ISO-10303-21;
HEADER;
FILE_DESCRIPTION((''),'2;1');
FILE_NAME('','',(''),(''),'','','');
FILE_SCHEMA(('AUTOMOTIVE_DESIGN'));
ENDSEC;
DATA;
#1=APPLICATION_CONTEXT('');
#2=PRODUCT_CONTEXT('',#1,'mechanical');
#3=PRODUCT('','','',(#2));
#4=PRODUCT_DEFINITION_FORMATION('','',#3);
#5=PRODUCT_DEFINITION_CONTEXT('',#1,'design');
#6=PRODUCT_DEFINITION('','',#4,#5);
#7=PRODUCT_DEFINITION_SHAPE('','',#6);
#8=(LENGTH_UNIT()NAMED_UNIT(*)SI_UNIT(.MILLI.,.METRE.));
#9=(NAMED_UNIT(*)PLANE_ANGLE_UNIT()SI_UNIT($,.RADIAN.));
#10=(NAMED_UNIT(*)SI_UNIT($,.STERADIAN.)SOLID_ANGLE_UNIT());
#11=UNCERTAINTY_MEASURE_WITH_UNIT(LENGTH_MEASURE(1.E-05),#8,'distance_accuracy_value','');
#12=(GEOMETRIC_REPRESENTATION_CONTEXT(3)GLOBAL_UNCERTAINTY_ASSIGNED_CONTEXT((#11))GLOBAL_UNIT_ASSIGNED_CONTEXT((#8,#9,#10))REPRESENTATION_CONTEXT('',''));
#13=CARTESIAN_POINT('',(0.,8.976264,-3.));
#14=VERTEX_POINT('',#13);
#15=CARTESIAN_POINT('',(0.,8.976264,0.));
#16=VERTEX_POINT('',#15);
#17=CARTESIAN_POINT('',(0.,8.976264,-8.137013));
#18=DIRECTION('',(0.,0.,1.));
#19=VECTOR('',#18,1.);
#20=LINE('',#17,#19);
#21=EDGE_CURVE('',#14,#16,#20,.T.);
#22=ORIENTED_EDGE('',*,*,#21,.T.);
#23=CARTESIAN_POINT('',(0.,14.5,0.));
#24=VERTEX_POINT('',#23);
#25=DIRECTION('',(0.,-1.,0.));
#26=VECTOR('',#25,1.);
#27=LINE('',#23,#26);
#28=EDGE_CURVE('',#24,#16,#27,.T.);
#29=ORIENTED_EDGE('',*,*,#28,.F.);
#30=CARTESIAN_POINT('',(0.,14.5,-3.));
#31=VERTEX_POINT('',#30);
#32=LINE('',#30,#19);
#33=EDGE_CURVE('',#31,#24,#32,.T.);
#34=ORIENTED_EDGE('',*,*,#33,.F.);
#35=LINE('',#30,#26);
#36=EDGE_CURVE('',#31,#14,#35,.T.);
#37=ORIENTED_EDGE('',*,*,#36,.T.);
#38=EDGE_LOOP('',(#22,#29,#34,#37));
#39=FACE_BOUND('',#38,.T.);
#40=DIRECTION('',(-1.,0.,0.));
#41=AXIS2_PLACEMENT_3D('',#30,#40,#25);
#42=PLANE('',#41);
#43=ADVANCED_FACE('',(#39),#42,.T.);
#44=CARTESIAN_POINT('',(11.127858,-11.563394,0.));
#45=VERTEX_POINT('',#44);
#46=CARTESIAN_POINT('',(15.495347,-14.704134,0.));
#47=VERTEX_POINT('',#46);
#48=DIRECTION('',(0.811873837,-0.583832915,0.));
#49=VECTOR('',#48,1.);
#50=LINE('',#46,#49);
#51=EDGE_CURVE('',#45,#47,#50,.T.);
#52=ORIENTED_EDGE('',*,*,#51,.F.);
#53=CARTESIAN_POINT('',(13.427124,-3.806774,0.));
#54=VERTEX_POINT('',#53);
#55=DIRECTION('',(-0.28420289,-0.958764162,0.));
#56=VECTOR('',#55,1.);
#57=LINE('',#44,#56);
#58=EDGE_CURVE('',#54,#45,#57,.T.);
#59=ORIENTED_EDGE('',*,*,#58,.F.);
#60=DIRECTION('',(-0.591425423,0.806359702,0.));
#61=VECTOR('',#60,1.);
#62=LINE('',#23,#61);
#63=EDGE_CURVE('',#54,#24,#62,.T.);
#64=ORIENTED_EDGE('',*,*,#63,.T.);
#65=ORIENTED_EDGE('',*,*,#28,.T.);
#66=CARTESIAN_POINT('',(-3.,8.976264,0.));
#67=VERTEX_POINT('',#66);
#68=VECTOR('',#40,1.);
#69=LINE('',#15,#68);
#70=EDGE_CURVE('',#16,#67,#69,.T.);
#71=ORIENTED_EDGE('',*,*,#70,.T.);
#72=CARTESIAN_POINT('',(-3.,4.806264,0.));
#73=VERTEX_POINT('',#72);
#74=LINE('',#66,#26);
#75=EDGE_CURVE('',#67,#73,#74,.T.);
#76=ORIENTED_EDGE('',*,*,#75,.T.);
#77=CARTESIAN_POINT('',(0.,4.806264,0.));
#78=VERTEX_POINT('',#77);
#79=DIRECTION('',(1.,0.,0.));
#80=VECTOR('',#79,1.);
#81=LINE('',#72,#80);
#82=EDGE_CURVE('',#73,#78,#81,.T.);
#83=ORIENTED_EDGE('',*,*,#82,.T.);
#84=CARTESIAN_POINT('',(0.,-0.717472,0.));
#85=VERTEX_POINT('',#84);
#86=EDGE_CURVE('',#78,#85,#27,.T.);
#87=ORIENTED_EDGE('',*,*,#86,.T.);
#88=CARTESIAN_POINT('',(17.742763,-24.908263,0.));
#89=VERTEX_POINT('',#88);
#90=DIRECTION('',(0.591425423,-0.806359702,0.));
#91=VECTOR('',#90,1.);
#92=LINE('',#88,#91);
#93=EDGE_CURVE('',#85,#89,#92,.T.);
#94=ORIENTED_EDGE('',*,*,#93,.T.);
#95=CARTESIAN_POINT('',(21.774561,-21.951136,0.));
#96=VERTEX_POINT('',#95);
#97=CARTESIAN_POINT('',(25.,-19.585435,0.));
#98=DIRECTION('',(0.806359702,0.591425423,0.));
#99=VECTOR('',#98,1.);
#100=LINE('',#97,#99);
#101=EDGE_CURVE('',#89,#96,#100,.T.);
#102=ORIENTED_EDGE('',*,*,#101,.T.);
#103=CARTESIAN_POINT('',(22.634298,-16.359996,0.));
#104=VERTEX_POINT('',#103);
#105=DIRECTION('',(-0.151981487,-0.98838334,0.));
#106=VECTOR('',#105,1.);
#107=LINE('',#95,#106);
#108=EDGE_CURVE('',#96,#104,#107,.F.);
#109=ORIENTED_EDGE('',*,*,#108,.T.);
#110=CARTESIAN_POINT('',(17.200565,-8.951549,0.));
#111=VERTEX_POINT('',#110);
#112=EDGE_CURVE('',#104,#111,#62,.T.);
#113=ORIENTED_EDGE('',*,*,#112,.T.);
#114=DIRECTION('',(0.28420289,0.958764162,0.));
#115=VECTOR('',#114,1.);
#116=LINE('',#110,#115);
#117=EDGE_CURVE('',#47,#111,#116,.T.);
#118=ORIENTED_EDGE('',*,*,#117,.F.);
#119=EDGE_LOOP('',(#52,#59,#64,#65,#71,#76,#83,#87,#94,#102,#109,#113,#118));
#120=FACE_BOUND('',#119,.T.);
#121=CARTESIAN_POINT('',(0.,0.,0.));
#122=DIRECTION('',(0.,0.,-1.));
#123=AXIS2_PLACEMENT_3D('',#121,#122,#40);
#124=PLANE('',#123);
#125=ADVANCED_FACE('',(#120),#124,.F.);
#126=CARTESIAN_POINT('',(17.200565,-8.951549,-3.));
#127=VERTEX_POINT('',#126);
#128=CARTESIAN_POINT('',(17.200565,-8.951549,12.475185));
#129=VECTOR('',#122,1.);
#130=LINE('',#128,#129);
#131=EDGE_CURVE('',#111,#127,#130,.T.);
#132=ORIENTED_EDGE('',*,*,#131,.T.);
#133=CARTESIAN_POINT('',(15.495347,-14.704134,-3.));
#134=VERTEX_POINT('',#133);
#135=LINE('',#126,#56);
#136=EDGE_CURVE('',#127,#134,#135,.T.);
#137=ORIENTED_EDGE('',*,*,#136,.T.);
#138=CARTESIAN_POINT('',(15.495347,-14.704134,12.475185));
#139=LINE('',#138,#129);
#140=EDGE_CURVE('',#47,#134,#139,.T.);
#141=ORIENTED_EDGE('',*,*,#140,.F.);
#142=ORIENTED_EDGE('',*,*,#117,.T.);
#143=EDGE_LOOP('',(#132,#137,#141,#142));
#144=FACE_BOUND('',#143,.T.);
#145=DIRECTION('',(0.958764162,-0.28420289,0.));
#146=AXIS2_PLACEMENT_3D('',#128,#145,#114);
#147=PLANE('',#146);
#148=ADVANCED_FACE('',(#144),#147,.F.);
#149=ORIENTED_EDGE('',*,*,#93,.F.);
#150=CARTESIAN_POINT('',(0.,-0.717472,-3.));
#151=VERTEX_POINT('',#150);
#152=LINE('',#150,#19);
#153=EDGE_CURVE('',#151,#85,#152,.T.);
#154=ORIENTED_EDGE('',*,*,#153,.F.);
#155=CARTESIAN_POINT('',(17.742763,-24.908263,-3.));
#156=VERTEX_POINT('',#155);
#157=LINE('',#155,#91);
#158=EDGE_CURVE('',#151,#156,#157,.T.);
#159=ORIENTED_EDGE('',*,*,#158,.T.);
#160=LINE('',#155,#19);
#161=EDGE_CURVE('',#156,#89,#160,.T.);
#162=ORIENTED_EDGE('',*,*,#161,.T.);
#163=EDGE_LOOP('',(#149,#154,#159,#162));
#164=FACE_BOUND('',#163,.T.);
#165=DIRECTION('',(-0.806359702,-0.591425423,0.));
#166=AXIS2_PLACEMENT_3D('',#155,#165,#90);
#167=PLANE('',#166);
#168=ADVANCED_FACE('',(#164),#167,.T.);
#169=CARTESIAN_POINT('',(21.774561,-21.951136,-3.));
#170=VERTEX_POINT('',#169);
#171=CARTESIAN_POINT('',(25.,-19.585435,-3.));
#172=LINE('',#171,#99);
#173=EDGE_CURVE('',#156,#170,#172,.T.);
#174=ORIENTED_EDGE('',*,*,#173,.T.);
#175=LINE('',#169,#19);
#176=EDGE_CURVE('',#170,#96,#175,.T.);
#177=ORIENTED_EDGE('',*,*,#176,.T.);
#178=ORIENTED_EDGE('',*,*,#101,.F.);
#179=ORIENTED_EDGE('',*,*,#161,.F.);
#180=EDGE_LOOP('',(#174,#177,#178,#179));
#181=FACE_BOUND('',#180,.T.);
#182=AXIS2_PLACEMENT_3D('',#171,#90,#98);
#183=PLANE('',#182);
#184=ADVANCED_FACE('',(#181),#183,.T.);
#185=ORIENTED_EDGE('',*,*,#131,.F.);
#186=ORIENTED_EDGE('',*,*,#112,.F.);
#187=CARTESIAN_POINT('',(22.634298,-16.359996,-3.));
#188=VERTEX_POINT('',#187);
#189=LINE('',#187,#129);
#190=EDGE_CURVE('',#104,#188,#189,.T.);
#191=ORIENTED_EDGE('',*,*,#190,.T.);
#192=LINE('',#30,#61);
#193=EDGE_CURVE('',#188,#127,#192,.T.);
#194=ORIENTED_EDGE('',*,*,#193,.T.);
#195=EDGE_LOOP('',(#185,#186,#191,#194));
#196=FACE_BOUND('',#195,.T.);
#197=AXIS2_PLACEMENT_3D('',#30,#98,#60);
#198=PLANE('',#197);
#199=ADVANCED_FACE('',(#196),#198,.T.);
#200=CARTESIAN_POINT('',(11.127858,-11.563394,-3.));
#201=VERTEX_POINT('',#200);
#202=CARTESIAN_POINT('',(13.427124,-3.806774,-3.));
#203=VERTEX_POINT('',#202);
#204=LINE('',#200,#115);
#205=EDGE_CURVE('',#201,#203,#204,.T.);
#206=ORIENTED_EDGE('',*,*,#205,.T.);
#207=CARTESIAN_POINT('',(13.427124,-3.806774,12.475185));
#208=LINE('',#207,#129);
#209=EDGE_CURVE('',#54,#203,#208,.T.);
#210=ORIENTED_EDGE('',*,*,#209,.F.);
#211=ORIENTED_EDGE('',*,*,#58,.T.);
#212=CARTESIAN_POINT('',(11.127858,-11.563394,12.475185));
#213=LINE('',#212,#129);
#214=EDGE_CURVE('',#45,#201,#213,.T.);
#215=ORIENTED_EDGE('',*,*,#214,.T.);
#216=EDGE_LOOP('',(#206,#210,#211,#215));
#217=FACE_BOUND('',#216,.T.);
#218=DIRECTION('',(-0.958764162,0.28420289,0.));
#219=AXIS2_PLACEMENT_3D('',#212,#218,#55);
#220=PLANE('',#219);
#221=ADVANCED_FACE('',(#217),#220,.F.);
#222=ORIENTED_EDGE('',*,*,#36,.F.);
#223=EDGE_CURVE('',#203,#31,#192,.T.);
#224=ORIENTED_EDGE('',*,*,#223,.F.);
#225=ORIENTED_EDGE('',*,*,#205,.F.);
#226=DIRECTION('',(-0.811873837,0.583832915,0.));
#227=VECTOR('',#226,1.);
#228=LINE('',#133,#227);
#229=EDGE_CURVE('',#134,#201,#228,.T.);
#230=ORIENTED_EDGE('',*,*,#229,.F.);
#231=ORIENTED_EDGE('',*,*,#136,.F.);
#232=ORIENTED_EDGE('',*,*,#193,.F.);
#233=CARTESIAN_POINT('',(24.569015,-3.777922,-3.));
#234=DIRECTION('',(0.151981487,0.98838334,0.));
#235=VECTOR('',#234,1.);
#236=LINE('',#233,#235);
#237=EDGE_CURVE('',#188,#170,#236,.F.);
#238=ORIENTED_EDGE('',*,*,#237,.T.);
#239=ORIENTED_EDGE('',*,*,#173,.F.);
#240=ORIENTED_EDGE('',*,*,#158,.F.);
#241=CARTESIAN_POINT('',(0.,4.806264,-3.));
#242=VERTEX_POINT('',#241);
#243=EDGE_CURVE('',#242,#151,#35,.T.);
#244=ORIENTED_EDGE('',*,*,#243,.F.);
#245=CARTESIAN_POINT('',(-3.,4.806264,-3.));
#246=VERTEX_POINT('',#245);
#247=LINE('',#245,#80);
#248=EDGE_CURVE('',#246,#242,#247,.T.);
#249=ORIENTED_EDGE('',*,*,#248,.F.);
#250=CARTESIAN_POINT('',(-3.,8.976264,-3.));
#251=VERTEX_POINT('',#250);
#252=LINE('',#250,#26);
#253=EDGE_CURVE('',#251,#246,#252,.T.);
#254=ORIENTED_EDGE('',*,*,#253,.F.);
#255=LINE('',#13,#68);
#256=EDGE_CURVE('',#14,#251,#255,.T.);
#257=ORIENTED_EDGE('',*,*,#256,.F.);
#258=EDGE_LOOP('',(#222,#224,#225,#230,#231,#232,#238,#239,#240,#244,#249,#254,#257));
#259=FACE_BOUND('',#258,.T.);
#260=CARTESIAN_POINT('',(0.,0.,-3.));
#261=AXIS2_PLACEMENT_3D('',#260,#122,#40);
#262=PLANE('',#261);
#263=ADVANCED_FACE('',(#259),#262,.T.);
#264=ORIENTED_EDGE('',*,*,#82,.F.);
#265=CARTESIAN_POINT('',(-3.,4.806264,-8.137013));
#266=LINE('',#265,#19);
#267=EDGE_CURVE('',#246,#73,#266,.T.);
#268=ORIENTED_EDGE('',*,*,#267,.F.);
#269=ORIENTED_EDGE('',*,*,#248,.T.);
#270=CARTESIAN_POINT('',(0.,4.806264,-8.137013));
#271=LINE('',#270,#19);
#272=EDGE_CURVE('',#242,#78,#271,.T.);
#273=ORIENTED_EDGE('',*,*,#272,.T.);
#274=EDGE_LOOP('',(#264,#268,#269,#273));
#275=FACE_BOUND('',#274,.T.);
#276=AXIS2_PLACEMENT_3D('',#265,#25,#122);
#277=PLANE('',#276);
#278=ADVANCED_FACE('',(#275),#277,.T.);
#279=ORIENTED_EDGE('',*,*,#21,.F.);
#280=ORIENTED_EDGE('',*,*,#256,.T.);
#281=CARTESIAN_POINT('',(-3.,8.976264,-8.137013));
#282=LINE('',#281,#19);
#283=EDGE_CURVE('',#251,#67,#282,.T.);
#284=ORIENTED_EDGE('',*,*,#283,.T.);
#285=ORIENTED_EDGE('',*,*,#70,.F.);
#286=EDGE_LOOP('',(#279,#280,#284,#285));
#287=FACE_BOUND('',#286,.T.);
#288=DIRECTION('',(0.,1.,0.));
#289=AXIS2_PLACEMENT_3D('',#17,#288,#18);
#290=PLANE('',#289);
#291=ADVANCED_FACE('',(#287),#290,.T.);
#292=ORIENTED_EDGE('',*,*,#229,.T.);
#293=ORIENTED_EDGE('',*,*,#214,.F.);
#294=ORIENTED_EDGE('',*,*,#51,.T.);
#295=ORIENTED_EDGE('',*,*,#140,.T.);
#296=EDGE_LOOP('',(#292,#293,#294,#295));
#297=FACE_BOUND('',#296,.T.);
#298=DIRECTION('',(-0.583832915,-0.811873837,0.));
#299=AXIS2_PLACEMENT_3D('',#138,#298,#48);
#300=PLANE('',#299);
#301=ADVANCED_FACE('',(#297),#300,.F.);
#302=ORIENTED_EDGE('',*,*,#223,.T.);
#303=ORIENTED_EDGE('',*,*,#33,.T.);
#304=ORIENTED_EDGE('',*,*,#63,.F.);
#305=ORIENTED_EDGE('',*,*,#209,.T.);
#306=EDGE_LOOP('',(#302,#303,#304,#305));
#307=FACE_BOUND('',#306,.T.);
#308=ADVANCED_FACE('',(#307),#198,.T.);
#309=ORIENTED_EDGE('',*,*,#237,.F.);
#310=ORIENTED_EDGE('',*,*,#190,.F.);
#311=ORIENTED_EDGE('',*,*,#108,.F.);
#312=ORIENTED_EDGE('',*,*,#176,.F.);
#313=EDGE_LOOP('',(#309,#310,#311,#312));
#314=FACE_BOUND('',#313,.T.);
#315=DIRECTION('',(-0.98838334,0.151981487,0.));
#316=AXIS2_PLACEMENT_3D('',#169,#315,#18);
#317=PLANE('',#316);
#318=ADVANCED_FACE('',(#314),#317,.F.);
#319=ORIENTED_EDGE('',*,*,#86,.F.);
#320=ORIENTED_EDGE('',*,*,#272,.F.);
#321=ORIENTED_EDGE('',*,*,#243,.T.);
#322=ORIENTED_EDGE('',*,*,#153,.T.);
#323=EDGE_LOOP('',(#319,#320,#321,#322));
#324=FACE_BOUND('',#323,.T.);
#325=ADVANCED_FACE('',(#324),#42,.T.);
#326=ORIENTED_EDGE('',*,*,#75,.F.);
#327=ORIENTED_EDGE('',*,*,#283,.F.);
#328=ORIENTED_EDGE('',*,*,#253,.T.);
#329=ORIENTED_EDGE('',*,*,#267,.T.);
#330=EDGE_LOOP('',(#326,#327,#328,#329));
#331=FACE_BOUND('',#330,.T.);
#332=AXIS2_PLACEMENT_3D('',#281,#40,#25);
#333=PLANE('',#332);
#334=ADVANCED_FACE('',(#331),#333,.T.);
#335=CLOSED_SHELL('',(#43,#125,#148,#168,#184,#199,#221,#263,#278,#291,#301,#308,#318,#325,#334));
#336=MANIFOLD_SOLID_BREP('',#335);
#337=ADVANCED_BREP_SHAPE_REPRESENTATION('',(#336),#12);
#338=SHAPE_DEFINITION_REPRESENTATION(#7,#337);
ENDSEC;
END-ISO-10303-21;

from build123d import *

# Parameters (mm, degrees)
BOSS_EXTRUDE1_DEPTH = 3
SKETCH2_W           = 3
SKETCH2_H           = 4.17
BOSS_EXTRUDE2_DEPTH = 3
CUT_EXTRUDE2_DEPTH  = 3
CHAMFER1_SIZE       = 4


with BuildPart() as part:
    # Sketch1 → Boss-Extrude1 (new body)
    with BuildSketch(Plane.XY):
        Polygon((0, 14.5), (0, -0.717472322), (17.74276268, -24.90826339), (25, -19.585434587), align=None)
    extrude(amount=-BOSS_EXTRUDE1_DEPTH)

    # Sketch2 → Boss-Extrude2 (add)
    with BuildSketch(Plane.XY):
        with Locations((-1.5, 6.891263839)):
            Rectangle(SKETCH2_W, SKETCH2_H)
    extrude(amount=-BOSS_EXTRUDE2_DEPTH)

    # Sketch3 → Cut-Extrude2 (cut)
    with BuildSketch(Plane(origin=(0, 0, -3), x_dir=(-1, 0, 0), z_dir=(0, 0, -1))):
        Polygon((-13.427123713, -3.806773881), (-17.200564762, -8.951549002), (-15.495347423, -14.704133971), (-11.12785759, -11.563394363), align=None)
    extrude(amount=-CUT_EXTRUDE2_DEPTH, mode=Mode.SUBTRACT)

    # Chamfer1
    chamfer1_edges = [part.edges().sort_by_distance(p)[0] for p in [
        (25, -19.585434587, -1.5),
    ]]
    chamfer(chamfer1_edges, length=CHAMFER1_SIZE)


solid = part.part
